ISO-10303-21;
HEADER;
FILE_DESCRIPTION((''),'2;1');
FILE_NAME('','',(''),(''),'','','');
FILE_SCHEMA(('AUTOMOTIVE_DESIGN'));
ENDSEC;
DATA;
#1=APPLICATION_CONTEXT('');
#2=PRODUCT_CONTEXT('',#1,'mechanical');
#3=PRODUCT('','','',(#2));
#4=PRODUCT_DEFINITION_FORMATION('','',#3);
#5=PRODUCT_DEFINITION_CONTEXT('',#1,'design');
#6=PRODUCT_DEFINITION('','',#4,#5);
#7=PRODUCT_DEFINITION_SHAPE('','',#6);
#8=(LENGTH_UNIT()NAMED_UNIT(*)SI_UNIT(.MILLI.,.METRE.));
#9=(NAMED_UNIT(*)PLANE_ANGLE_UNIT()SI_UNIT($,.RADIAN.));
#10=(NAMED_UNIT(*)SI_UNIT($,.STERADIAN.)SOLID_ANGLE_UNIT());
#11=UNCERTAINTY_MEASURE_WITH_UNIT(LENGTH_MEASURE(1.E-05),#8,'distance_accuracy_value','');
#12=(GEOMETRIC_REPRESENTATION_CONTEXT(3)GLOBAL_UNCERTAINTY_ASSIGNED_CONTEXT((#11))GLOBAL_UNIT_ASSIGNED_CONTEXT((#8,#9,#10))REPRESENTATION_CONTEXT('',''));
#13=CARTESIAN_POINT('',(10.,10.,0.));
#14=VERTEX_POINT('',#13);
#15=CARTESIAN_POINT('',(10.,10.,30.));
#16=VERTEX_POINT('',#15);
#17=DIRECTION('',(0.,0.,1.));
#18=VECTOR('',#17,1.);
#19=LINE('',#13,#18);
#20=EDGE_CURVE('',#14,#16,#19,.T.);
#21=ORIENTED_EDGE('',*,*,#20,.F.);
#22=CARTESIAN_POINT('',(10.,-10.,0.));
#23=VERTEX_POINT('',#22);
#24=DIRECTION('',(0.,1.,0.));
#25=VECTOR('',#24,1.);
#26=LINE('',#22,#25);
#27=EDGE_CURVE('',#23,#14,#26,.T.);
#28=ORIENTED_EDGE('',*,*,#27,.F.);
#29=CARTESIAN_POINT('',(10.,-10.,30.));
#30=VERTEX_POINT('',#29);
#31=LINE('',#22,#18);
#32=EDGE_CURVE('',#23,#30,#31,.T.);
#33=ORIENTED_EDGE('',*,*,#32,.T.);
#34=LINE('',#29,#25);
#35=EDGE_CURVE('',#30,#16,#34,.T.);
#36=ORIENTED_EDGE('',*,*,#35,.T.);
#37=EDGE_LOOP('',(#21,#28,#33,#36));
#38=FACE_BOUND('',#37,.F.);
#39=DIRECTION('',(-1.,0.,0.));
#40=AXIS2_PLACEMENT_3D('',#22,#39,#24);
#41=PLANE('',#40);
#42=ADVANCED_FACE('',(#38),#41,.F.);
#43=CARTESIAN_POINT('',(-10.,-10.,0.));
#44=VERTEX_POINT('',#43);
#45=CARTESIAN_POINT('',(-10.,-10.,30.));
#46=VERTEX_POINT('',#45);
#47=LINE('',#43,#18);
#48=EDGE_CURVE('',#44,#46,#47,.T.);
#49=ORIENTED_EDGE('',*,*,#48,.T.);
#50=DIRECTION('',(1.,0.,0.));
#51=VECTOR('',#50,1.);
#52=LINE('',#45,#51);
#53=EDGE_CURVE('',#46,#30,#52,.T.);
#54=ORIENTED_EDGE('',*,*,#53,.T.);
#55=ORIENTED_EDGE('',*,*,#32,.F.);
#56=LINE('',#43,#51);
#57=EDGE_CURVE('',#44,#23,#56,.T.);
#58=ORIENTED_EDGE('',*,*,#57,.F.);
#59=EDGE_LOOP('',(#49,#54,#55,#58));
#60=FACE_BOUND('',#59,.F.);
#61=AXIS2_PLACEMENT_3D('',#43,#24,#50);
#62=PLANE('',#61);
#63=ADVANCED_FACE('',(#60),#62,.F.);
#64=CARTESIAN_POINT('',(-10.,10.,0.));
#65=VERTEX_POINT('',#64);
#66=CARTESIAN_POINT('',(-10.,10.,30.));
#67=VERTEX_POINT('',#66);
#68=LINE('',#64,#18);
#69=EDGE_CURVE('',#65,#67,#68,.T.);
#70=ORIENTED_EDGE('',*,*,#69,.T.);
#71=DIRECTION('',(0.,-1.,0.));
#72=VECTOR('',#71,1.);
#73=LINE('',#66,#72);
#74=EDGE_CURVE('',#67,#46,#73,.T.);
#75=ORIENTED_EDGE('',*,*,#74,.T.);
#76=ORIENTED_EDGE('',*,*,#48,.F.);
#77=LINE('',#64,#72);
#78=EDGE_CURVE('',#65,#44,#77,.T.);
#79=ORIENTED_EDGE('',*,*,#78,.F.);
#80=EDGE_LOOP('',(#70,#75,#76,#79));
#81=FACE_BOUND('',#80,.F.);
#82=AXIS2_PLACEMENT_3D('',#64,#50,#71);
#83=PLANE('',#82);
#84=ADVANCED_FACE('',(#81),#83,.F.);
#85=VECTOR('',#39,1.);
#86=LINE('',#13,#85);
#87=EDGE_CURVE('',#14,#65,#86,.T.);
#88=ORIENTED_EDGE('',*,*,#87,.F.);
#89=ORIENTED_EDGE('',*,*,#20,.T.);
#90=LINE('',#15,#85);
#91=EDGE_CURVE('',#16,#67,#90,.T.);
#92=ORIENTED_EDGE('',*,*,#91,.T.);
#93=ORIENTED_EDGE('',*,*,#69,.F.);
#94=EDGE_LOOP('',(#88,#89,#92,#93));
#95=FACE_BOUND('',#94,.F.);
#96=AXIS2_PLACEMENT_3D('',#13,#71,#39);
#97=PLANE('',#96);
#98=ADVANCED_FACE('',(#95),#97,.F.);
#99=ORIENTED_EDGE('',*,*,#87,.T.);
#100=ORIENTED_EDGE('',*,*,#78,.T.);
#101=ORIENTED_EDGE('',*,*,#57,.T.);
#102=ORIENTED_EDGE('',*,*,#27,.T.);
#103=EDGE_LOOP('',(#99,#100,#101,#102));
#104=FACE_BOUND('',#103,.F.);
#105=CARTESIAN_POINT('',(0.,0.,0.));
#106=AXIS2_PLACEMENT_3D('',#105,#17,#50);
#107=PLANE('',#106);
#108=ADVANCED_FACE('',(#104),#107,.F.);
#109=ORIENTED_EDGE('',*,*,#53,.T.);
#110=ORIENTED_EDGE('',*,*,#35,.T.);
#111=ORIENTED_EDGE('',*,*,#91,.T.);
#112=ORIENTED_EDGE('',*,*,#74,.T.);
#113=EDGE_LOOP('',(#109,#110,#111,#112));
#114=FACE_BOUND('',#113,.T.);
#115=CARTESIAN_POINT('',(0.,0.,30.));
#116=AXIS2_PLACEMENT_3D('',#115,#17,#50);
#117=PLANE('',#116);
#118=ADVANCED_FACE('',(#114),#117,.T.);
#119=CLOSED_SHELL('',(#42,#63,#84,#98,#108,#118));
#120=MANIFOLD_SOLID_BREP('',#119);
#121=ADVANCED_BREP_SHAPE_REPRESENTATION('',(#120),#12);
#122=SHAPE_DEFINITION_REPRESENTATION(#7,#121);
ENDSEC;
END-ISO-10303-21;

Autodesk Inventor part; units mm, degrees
ref_plane "YZ Plane" through (0, 0, 0) normal (1, 0, 0) x (0, 1, 0)
ref_plane "XZ Plane" through (0, 0, 0) normal (0, 1, 0) x (-1, 0, 0)
ref_plane "XY Plane" through (0, 0, 0) normal (0, 0, 1) x (1, 0, 0)
sketch "Sketch1" plane through (0, 0, 0) normal (0, 0, 1) x (1, 0, 0)
  line L0 (-10, -10) -> (10, -10)
  line L1 (10, -10) -> (10, 10)
  line L2 (10, 10) -> (-10, 10)
  line L3 (-10, 10) -> (-10, -10)
  line L4 (-10, -10) -> (10, 10) construction
  line L5 (10, -10) -> (-10, 10) construction
  point P0 (0, 0)
  dimension "d0" = 20
  dimension "d1" = 20
extrude "Extrusion1" add sketch "Sketch1" along normal blind 30
properties part number "Part Width length Stages"
